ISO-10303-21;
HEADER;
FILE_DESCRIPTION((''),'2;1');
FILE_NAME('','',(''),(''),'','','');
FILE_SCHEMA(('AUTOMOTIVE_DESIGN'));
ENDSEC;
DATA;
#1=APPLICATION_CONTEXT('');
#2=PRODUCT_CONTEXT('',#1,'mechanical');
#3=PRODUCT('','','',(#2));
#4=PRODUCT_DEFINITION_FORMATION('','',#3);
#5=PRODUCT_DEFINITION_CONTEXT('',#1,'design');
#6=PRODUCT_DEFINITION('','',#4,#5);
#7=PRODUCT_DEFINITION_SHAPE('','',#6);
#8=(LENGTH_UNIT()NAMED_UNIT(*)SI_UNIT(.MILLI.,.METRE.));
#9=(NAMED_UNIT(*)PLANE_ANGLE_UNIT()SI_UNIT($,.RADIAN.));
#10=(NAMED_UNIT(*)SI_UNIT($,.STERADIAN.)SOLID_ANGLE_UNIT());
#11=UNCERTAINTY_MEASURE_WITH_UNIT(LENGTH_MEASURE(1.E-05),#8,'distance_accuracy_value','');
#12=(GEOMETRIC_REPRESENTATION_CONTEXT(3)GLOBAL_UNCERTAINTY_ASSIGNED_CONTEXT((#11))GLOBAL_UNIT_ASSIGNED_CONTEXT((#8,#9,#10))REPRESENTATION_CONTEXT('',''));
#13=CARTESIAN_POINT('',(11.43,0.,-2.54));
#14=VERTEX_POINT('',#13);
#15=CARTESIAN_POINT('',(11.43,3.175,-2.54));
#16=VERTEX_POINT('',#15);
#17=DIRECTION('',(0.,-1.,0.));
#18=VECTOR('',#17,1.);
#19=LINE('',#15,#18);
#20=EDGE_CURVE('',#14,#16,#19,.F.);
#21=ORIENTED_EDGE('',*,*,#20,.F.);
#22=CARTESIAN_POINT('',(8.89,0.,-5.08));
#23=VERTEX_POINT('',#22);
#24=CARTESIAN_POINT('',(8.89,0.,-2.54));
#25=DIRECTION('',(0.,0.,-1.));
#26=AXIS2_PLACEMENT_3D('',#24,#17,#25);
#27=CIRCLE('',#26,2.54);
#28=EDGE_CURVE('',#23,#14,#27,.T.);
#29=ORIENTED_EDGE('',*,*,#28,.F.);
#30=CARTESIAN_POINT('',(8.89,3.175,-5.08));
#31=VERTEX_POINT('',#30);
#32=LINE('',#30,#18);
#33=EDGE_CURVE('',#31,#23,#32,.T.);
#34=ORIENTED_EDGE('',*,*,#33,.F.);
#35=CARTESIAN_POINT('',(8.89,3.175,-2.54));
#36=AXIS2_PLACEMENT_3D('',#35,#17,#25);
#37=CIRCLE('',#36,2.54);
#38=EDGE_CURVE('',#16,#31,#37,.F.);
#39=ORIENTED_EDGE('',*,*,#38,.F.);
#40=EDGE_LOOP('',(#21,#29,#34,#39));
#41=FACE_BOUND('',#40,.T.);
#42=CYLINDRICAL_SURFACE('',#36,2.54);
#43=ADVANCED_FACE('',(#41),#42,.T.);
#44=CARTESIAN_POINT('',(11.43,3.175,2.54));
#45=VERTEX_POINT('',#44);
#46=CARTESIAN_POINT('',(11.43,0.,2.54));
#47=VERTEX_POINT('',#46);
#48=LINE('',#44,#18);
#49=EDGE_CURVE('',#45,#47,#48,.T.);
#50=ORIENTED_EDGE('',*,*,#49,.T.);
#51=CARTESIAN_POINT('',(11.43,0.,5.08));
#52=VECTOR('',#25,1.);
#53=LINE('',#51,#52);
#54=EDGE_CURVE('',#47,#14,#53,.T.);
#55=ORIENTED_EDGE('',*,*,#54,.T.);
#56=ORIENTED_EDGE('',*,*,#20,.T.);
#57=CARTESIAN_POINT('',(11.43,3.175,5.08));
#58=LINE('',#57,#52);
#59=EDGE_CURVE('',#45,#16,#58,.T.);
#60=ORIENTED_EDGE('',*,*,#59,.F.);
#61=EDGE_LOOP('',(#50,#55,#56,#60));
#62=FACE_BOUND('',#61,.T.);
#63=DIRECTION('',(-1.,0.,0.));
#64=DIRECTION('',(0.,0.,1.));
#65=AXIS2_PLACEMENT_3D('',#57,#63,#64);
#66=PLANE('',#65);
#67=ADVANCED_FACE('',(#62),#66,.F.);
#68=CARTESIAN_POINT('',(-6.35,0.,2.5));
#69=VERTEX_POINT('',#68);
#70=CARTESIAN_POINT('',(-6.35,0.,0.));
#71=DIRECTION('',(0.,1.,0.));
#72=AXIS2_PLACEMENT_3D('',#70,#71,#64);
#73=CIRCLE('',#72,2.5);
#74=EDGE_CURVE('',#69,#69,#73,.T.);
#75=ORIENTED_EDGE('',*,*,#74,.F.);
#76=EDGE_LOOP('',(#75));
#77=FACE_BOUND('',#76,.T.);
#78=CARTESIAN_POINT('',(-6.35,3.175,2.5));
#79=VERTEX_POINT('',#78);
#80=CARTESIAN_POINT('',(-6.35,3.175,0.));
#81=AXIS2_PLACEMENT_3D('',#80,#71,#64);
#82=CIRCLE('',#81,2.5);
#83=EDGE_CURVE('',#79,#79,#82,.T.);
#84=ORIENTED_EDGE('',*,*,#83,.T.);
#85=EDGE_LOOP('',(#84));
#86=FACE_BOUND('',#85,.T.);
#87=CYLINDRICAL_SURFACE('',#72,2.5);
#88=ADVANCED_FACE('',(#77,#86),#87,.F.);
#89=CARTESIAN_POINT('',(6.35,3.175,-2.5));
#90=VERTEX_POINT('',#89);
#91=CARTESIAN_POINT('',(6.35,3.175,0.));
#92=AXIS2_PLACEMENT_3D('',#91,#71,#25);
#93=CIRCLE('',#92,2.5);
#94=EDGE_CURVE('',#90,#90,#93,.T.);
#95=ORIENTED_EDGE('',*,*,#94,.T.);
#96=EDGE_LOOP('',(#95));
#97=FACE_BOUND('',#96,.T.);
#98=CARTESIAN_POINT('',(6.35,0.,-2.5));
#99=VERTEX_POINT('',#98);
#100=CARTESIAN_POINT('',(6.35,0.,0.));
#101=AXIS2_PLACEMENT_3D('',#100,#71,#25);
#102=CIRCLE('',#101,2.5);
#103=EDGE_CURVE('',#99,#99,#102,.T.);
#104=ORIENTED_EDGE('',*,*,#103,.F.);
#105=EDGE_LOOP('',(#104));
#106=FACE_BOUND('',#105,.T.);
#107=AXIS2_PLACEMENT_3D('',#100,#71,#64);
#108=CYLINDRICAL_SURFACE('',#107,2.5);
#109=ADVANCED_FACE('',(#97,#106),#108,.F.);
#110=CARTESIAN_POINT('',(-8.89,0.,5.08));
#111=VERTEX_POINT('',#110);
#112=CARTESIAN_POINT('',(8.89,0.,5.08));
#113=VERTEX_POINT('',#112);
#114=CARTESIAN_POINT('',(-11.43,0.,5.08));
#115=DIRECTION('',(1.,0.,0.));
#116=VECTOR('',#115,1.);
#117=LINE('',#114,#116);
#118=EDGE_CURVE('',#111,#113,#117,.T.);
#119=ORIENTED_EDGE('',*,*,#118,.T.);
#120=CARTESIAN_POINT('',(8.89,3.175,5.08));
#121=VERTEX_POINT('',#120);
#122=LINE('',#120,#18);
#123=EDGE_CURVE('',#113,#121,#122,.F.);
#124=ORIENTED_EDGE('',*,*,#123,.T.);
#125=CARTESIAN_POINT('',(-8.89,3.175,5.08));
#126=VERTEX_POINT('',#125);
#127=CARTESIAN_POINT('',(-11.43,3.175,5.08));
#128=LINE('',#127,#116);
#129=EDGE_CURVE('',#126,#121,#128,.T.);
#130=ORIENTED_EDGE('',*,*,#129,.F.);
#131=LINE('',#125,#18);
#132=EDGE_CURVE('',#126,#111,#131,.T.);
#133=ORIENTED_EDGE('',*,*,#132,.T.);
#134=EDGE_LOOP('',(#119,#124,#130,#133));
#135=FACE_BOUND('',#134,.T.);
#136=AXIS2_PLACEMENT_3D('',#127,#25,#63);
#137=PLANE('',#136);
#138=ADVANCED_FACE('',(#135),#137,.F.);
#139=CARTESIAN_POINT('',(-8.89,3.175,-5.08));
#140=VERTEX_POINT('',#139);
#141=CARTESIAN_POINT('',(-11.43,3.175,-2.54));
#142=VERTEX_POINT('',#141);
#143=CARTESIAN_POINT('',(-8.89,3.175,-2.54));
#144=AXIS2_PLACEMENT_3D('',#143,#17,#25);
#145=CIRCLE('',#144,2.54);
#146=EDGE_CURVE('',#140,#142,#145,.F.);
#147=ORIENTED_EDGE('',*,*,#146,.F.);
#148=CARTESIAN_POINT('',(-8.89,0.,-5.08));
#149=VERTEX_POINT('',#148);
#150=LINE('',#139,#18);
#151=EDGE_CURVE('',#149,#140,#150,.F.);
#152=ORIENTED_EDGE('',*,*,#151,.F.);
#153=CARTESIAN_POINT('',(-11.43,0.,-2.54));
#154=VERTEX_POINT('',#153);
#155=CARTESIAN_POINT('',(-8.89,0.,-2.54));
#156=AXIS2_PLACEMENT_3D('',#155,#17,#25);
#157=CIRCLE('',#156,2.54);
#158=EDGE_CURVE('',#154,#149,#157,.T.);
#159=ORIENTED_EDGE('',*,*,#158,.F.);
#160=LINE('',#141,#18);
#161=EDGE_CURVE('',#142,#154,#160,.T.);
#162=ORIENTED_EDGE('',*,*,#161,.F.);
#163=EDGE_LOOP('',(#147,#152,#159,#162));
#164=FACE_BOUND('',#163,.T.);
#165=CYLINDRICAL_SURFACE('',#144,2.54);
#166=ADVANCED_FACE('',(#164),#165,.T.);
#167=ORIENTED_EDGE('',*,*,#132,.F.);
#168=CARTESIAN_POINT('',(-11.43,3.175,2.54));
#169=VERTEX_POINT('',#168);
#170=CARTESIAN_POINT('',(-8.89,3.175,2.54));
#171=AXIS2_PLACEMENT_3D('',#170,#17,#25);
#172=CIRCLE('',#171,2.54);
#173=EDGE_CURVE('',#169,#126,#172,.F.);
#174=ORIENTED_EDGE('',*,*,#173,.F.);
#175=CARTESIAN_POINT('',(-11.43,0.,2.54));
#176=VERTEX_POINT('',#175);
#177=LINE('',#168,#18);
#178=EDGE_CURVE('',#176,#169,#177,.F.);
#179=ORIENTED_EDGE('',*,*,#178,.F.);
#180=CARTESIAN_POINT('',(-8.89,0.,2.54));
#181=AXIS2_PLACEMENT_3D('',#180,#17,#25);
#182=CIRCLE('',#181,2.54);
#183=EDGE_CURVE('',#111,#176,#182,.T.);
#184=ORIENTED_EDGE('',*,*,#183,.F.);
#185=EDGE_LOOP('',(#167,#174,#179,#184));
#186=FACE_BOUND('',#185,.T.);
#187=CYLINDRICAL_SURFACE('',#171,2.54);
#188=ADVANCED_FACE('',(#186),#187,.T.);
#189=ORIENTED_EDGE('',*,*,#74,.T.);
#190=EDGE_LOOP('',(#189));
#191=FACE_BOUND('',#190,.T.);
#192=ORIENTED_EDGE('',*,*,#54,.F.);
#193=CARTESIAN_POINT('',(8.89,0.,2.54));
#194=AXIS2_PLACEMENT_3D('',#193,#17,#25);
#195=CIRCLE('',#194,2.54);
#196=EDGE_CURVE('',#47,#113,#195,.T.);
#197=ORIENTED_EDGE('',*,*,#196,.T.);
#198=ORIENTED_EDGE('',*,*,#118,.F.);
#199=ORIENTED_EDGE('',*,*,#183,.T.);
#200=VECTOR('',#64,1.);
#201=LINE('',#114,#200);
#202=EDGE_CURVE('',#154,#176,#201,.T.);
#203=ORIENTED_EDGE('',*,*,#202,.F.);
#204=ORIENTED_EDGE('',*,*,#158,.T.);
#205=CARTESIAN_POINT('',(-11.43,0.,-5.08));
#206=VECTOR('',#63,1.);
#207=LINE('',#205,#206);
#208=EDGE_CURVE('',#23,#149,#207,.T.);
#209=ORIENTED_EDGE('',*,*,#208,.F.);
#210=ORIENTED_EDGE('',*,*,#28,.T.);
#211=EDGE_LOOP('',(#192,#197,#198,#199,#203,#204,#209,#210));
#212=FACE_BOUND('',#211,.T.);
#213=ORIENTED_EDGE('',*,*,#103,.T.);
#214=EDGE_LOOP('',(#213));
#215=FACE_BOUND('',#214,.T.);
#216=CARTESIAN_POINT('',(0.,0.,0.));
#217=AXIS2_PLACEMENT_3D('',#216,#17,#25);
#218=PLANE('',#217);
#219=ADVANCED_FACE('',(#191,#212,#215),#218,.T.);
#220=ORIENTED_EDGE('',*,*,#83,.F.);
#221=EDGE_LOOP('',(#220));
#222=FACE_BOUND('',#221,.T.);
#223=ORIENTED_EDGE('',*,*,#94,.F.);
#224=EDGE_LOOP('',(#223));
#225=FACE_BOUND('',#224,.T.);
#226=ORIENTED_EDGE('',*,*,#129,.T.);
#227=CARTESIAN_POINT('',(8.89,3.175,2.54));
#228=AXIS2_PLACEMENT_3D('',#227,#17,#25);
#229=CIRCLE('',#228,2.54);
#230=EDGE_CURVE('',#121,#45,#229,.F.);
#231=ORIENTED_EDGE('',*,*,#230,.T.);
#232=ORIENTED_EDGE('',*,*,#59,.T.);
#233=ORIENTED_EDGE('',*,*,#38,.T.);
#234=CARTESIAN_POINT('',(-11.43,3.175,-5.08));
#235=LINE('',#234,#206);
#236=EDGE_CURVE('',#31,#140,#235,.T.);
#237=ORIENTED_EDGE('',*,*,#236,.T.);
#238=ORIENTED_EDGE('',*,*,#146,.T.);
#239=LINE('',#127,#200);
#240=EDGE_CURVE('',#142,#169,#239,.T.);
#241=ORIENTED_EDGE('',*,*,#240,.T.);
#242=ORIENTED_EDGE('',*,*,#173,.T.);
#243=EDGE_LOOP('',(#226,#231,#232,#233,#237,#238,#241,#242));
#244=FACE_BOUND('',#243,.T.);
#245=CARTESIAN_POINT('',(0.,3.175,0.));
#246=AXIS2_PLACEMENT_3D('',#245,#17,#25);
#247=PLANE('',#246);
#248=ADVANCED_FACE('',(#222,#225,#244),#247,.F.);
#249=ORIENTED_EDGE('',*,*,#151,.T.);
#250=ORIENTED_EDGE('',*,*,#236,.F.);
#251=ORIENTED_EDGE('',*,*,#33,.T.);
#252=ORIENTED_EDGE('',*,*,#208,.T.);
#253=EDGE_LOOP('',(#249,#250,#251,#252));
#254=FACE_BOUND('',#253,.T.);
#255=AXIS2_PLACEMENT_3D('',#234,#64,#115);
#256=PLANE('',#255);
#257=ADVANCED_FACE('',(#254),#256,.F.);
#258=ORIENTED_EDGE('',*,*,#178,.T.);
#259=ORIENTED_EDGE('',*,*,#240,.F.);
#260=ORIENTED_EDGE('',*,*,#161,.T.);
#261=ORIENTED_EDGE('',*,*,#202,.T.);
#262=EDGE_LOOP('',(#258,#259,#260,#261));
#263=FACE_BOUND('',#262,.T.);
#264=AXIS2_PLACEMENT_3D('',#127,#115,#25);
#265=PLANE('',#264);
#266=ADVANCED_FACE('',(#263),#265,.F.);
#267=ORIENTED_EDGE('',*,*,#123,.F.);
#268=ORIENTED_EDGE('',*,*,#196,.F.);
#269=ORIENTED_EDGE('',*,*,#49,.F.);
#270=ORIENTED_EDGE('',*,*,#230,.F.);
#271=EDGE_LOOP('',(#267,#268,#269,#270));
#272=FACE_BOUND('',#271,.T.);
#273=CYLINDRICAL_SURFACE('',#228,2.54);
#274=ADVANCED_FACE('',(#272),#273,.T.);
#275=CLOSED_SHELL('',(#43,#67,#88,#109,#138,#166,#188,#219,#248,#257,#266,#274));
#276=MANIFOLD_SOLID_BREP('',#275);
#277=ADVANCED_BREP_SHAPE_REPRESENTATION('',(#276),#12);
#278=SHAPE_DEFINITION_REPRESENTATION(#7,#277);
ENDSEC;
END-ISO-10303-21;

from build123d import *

# Parameters (mm, degrees)
SKETCH1_W           = 22.86
SKETCH1_H           = 10.16
BOSS_EXTRUDE1_DEPTH = 3.175
SKETCH2_R           = 2.5
CUT_EXTRUDE1_DEPTH  = 4.175
FILLET1_R           = 2.54


with BuildPart() as part:
    # Sketch1 → Boss-Extrude1 (new body)
    with BuildSketch(Plane(origin=(0, 0, 0), x_dir=(1, 0, 0), z_dir=(0, 1, 0))):
        Rectangle(SKETCH1_W, SKETCH1_H)
    extrude(amount=BOSS_EXTRUDE1_DEPTH)

    # Sketch2 → Cut-Extrude1 (cut, through all)
    with BuildSketch(Plane(origin=(0, 3.175, 0), x_dir=(1, 0, 0), z_dir=(0, 1, 0))):
        with Locations((-6.35, 0)):
            Circle(SKETCH2_R)
        with Locations((6.35, 0)):
            Circle(SKETCH2_R)
    extrude(amount=-CUT_EXTRUDE1_DEPTH, mode=Mode.SUBTRACT)

    # Fillet1
    fillet1_edges = [part.edges().sort_by_distance(p)[0] for p in [
        (11.43, 1.5875, 5.08),
        (-11.43, 1.5875, 5.08),
        (-11.43, 1.5875, -5.08),
        (11.43, 1.5875, -5.08),
    ]]
    fillet(fillet1_edges, radius=FILLET1_R)


solid = part.part
